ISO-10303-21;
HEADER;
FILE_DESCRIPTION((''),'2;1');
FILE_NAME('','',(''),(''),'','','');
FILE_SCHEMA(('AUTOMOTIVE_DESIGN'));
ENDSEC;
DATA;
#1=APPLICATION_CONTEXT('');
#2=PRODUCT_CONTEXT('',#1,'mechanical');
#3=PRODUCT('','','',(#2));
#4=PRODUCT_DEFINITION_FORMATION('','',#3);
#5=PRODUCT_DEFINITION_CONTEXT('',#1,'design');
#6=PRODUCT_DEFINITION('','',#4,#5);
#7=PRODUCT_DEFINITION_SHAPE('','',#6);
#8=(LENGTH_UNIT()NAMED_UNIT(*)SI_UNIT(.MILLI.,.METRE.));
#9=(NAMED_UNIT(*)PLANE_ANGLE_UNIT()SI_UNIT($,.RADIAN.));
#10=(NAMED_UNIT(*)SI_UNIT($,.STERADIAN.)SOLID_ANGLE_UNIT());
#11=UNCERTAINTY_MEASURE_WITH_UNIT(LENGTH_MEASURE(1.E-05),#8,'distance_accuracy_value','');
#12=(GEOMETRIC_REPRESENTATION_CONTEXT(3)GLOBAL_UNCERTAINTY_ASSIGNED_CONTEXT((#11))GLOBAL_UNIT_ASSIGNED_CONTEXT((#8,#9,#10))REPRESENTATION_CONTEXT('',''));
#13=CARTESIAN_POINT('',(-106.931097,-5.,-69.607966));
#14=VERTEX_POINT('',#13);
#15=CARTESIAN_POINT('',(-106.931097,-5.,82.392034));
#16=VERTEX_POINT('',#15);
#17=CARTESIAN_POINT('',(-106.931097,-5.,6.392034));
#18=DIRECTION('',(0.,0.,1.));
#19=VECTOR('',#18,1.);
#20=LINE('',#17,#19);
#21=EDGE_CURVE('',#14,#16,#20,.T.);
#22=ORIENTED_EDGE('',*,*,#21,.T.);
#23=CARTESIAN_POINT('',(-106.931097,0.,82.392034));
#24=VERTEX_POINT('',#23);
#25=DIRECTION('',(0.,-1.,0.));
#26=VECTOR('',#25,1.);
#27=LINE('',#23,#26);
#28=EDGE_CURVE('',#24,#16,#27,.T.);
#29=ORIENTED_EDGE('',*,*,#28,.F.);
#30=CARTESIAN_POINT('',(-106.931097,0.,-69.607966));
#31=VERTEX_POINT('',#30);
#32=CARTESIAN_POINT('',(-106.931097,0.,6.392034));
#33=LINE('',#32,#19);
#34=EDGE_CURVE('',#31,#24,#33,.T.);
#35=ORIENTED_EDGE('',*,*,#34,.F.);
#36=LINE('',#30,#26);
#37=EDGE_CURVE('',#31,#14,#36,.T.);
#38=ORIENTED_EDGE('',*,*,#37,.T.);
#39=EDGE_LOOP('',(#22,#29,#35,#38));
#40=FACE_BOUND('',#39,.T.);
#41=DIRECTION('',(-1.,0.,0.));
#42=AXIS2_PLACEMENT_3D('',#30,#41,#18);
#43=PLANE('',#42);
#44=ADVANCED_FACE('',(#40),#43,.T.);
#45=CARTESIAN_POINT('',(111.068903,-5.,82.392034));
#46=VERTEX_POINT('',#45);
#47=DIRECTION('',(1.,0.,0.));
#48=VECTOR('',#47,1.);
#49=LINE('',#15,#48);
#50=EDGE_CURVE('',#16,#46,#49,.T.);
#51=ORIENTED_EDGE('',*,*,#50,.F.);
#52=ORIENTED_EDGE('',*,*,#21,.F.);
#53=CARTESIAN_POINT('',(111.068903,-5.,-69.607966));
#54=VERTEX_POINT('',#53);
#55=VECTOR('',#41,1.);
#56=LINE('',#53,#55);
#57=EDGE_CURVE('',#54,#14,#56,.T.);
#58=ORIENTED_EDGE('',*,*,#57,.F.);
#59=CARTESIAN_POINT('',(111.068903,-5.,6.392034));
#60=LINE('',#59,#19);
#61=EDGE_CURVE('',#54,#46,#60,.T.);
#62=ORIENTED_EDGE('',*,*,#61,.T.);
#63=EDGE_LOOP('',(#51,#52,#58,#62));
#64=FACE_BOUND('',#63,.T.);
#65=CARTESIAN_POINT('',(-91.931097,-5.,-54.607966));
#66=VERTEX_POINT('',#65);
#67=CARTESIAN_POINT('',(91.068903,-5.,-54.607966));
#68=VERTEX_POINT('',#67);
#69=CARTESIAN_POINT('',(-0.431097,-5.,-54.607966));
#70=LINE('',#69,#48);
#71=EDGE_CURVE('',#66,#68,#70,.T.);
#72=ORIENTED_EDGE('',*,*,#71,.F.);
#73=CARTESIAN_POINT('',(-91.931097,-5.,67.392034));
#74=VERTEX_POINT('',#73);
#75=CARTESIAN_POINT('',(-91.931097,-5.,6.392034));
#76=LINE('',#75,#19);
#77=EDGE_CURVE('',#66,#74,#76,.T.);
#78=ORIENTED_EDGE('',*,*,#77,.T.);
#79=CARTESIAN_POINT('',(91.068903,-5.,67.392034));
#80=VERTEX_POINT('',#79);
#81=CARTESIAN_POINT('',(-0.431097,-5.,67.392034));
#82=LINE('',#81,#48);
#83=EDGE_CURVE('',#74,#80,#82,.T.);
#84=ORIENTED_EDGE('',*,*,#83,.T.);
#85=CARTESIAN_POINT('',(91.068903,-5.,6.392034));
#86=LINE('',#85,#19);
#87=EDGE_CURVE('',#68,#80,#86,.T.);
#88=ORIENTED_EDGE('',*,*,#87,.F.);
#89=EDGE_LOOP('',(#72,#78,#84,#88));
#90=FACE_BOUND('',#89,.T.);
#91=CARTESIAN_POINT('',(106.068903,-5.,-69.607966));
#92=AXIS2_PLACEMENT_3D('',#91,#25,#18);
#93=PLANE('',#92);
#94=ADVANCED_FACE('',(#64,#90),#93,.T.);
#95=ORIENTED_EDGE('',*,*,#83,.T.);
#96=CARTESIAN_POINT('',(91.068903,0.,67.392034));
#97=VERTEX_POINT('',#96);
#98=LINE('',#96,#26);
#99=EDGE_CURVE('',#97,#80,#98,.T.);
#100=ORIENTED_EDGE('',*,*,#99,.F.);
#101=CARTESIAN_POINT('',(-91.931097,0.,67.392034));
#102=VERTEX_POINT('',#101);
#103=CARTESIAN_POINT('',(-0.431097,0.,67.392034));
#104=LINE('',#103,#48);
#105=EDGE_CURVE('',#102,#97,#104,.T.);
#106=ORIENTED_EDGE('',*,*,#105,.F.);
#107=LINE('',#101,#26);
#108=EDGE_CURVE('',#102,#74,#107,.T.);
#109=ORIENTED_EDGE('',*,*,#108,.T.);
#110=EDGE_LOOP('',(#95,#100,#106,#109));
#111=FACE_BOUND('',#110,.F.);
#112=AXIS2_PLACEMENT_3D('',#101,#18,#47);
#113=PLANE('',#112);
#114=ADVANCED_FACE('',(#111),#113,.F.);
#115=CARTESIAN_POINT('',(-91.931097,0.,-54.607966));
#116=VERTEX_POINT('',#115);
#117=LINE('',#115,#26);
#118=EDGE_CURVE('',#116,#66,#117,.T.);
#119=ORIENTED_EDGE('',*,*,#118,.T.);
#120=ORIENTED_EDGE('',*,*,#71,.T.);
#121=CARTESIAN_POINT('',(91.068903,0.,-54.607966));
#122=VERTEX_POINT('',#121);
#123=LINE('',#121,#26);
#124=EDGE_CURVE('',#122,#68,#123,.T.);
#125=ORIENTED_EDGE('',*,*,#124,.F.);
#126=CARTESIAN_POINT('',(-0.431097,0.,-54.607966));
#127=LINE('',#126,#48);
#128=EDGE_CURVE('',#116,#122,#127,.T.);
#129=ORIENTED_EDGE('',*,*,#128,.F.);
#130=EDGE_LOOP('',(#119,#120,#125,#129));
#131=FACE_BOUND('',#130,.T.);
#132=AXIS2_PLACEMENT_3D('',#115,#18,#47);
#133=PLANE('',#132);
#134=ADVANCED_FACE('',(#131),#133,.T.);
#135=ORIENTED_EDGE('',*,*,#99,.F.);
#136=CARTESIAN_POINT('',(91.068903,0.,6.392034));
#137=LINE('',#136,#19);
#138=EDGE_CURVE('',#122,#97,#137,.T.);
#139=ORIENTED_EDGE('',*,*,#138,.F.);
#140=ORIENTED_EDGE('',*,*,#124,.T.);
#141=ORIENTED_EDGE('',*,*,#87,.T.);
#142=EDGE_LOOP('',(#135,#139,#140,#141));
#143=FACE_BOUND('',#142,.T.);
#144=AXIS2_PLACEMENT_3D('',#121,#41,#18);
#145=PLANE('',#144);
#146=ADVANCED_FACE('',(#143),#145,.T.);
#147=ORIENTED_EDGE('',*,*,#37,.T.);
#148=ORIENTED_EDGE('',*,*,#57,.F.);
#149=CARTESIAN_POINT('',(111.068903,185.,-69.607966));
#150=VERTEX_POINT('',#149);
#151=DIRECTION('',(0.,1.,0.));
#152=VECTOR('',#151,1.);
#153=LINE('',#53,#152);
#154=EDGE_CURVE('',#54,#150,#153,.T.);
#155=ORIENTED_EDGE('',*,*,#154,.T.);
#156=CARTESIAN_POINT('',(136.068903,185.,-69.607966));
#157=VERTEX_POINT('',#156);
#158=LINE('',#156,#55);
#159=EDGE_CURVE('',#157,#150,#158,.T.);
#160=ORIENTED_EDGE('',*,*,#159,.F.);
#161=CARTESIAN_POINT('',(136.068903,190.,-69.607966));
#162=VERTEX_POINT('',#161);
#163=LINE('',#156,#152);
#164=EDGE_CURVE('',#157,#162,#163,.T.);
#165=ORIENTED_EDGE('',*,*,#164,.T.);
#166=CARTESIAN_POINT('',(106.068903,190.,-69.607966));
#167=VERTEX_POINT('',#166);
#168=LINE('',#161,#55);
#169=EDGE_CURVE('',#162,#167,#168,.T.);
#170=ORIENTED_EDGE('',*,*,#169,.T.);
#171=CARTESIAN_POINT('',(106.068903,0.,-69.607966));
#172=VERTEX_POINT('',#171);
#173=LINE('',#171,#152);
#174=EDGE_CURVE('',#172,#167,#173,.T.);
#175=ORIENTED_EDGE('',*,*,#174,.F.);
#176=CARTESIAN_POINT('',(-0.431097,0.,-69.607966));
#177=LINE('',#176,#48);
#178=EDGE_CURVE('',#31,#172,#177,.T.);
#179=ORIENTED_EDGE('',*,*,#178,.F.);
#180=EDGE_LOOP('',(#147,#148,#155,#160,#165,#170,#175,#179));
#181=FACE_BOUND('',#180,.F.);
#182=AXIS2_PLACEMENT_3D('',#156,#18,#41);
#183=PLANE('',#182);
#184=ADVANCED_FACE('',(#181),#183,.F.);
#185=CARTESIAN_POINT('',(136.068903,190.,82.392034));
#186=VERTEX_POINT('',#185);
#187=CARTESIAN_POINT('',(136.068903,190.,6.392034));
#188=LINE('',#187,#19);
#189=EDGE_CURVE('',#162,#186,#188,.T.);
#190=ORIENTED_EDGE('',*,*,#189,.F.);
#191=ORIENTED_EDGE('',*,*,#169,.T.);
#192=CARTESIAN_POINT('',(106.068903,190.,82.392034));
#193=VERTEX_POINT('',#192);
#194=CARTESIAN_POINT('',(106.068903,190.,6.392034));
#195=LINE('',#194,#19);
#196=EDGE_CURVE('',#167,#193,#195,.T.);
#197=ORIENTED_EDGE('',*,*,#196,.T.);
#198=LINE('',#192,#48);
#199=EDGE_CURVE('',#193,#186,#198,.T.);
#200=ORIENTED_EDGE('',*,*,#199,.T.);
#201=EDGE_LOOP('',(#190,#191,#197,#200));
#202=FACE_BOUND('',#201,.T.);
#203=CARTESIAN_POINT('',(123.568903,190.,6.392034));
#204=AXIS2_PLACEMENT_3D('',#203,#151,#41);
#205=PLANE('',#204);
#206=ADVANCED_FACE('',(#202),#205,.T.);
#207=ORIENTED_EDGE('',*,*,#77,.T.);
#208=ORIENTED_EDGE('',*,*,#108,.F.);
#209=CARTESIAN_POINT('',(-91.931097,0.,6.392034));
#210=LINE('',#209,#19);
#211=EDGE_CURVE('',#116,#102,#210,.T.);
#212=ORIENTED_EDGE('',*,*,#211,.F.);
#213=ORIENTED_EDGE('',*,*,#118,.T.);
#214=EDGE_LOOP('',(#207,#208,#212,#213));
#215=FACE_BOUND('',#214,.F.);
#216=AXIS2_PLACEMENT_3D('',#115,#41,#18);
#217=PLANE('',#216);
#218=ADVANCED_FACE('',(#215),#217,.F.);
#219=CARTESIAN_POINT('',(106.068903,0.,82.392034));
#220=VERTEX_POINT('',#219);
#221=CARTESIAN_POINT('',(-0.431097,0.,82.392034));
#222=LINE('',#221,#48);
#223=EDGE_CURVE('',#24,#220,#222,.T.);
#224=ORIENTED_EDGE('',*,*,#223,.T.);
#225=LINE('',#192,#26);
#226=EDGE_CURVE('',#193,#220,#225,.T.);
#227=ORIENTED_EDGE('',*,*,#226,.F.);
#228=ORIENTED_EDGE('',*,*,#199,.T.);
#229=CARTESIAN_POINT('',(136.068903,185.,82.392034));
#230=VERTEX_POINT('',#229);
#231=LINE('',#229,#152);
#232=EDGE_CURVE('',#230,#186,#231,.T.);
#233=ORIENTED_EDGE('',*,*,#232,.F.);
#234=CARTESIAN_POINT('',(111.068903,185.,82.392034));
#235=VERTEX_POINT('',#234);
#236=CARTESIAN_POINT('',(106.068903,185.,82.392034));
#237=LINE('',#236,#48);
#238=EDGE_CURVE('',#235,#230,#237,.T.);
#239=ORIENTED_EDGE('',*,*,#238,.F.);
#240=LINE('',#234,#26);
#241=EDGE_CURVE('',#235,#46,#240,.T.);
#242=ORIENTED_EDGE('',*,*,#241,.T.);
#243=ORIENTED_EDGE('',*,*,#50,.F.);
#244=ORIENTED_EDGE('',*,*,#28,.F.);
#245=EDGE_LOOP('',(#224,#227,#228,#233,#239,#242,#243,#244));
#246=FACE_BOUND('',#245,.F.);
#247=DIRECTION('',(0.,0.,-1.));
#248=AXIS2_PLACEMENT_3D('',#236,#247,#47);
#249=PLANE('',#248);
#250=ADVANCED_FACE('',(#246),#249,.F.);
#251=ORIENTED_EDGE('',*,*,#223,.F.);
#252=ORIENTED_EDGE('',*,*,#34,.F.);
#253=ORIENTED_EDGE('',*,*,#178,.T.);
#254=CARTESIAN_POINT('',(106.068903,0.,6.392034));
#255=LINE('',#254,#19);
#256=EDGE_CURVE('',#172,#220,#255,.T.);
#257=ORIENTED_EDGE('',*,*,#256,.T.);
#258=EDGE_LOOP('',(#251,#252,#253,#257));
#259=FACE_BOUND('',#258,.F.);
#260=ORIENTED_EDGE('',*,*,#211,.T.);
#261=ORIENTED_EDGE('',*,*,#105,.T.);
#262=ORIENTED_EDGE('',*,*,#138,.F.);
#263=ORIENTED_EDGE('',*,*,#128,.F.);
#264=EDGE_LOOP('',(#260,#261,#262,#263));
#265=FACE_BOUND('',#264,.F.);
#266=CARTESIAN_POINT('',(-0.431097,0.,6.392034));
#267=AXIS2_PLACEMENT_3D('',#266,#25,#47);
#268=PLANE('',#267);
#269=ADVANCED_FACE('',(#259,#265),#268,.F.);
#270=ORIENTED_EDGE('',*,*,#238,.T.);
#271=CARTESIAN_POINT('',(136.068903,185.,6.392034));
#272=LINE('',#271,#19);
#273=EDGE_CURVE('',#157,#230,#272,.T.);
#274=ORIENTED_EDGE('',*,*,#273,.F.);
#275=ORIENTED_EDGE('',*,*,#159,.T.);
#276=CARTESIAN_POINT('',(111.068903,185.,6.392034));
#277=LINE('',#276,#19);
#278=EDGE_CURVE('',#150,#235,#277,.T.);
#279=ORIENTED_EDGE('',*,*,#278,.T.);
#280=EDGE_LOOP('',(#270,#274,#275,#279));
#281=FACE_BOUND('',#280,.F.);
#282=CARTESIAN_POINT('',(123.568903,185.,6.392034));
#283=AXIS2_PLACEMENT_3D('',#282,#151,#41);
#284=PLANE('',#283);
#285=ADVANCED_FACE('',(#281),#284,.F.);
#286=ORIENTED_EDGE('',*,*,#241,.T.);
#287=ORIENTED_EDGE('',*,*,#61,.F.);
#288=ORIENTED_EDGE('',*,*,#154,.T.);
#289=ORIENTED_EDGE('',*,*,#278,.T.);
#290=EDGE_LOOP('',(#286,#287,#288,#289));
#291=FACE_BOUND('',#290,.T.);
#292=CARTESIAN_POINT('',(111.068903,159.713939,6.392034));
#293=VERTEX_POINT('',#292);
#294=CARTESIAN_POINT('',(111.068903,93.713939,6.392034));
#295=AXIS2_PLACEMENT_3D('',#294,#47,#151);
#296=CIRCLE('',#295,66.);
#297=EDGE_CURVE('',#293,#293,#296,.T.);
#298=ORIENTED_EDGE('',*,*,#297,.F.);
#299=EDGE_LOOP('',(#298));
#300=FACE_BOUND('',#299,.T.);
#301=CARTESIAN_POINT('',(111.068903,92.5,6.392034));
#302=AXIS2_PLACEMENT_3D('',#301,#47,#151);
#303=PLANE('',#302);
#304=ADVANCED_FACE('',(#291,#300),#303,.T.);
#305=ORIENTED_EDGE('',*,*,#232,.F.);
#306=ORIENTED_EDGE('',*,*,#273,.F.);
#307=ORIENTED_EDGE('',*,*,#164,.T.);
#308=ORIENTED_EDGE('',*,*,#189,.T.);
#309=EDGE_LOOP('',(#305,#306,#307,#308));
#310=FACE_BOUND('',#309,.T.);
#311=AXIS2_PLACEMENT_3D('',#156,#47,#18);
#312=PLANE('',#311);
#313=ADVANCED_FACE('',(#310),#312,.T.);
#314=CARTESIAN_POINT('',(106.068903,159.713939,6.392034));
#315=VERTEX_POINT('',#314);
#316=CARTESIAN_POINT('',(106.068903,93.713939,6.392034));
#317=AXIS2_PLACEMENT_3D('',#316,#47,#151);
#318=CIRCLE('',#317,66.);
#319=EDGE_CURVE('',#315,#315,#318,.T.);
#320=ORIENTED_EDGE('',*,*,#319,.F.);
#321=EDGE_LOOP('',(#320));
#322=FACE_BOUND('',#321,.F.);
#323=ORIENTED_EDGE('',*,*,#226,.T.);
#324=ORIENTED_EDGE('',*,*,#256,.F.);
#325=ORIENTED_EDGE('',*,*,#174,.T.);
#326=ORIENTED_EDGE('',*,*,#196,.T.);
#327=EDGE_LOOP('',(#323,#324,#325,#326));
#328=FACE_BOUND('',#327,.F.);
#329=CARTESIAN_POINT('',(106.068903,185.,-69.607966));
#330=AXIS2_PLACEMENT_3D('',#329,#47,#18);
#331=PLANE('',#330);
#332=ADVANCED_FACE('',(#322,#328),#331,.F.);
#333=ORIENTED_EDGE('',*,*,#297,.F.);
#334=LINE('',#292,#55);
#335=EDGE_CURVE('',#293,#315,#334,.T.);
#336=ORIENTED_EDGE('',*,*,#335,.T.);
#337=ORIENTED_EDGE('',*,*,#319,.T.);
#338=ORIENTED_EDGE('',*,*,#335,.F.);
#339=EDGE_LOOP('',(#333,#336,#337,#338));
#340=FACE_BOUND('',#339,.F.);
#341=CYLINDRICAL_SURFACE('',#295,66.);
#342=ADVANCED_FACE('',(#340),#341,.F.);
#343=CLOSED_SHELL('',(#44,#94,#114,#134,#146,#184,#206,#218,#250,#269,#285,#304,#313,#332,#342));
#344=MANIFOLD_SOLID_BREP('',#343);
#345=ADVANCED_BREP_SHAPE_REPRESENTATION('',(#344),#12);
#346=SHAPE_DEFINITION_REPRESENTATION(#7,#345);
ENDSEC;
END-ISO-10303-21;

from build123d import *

# Parameters (mm, degrees)
F0_W     = 213
F0_H     = 152
F0_W_2   = 183
F0_H_2   = 122
F1_DEPTH = 5
F2_W     = 185
F2_H     = 152
F2_W_2   = 5
F3_DEPTH = 5
F4_R     = 66
F5_DEPTH = 25
F6_W     = 25
F6_H     = 152
F6_W_2   = 5
F7_DEPTH = 5


with BuildPart() as f1:
    # F0 (on Front) → F1 (new body)
    with BuildSketch(Plane.XZ):
        with Locations((-0.431097, 6.392034)):
            Rectangle(F0_W, F0_H)
        with Locations((-0.431097, 6.392034)):
            Rectangle(F0_W_2, F0_H_2, mode=Mode.SUBTRACT)
    extrude(amount=F1_DEPTH)

    # F2 (on face) → F3 (join)
    with BuildSketch(Plane.YZ.offset(106.068903)):
        with Locations((92.5, 6.392034)):
            Rectangle(F2_W, F2_H)
        with Locations((-2.5, 6.392034)):
            Rectangle(F2_W_2, F2_H)
    extrude(amount=F3_DEPTH)

    # F4 (on face) → F5 (cut)
    with BuildSketch(Plane.YZ.offset(111.068903)):
        with Locations((93.713939, 6.392034)):
            Circle(F4_R)
    extrude(amount=-F5_DEPTH, mode=Mode.SUBTRACT)

    # F6 (on face) → F7 (join)
    with BuildSketch(Plane(origin=(0, 185, 0), x_dir=(-1, 0, 0), z_dir=(0, 1, 0))):
        with Locations((-123.568903, 6.392034)):
            Rectangle(F6_W, F6_H)
        with Locations((-108.568903, 6.392034)):
            Rectangle(F6_W_2, F6_H)
    extrude(amount=F7_DEPTH)


solid = f1.part
